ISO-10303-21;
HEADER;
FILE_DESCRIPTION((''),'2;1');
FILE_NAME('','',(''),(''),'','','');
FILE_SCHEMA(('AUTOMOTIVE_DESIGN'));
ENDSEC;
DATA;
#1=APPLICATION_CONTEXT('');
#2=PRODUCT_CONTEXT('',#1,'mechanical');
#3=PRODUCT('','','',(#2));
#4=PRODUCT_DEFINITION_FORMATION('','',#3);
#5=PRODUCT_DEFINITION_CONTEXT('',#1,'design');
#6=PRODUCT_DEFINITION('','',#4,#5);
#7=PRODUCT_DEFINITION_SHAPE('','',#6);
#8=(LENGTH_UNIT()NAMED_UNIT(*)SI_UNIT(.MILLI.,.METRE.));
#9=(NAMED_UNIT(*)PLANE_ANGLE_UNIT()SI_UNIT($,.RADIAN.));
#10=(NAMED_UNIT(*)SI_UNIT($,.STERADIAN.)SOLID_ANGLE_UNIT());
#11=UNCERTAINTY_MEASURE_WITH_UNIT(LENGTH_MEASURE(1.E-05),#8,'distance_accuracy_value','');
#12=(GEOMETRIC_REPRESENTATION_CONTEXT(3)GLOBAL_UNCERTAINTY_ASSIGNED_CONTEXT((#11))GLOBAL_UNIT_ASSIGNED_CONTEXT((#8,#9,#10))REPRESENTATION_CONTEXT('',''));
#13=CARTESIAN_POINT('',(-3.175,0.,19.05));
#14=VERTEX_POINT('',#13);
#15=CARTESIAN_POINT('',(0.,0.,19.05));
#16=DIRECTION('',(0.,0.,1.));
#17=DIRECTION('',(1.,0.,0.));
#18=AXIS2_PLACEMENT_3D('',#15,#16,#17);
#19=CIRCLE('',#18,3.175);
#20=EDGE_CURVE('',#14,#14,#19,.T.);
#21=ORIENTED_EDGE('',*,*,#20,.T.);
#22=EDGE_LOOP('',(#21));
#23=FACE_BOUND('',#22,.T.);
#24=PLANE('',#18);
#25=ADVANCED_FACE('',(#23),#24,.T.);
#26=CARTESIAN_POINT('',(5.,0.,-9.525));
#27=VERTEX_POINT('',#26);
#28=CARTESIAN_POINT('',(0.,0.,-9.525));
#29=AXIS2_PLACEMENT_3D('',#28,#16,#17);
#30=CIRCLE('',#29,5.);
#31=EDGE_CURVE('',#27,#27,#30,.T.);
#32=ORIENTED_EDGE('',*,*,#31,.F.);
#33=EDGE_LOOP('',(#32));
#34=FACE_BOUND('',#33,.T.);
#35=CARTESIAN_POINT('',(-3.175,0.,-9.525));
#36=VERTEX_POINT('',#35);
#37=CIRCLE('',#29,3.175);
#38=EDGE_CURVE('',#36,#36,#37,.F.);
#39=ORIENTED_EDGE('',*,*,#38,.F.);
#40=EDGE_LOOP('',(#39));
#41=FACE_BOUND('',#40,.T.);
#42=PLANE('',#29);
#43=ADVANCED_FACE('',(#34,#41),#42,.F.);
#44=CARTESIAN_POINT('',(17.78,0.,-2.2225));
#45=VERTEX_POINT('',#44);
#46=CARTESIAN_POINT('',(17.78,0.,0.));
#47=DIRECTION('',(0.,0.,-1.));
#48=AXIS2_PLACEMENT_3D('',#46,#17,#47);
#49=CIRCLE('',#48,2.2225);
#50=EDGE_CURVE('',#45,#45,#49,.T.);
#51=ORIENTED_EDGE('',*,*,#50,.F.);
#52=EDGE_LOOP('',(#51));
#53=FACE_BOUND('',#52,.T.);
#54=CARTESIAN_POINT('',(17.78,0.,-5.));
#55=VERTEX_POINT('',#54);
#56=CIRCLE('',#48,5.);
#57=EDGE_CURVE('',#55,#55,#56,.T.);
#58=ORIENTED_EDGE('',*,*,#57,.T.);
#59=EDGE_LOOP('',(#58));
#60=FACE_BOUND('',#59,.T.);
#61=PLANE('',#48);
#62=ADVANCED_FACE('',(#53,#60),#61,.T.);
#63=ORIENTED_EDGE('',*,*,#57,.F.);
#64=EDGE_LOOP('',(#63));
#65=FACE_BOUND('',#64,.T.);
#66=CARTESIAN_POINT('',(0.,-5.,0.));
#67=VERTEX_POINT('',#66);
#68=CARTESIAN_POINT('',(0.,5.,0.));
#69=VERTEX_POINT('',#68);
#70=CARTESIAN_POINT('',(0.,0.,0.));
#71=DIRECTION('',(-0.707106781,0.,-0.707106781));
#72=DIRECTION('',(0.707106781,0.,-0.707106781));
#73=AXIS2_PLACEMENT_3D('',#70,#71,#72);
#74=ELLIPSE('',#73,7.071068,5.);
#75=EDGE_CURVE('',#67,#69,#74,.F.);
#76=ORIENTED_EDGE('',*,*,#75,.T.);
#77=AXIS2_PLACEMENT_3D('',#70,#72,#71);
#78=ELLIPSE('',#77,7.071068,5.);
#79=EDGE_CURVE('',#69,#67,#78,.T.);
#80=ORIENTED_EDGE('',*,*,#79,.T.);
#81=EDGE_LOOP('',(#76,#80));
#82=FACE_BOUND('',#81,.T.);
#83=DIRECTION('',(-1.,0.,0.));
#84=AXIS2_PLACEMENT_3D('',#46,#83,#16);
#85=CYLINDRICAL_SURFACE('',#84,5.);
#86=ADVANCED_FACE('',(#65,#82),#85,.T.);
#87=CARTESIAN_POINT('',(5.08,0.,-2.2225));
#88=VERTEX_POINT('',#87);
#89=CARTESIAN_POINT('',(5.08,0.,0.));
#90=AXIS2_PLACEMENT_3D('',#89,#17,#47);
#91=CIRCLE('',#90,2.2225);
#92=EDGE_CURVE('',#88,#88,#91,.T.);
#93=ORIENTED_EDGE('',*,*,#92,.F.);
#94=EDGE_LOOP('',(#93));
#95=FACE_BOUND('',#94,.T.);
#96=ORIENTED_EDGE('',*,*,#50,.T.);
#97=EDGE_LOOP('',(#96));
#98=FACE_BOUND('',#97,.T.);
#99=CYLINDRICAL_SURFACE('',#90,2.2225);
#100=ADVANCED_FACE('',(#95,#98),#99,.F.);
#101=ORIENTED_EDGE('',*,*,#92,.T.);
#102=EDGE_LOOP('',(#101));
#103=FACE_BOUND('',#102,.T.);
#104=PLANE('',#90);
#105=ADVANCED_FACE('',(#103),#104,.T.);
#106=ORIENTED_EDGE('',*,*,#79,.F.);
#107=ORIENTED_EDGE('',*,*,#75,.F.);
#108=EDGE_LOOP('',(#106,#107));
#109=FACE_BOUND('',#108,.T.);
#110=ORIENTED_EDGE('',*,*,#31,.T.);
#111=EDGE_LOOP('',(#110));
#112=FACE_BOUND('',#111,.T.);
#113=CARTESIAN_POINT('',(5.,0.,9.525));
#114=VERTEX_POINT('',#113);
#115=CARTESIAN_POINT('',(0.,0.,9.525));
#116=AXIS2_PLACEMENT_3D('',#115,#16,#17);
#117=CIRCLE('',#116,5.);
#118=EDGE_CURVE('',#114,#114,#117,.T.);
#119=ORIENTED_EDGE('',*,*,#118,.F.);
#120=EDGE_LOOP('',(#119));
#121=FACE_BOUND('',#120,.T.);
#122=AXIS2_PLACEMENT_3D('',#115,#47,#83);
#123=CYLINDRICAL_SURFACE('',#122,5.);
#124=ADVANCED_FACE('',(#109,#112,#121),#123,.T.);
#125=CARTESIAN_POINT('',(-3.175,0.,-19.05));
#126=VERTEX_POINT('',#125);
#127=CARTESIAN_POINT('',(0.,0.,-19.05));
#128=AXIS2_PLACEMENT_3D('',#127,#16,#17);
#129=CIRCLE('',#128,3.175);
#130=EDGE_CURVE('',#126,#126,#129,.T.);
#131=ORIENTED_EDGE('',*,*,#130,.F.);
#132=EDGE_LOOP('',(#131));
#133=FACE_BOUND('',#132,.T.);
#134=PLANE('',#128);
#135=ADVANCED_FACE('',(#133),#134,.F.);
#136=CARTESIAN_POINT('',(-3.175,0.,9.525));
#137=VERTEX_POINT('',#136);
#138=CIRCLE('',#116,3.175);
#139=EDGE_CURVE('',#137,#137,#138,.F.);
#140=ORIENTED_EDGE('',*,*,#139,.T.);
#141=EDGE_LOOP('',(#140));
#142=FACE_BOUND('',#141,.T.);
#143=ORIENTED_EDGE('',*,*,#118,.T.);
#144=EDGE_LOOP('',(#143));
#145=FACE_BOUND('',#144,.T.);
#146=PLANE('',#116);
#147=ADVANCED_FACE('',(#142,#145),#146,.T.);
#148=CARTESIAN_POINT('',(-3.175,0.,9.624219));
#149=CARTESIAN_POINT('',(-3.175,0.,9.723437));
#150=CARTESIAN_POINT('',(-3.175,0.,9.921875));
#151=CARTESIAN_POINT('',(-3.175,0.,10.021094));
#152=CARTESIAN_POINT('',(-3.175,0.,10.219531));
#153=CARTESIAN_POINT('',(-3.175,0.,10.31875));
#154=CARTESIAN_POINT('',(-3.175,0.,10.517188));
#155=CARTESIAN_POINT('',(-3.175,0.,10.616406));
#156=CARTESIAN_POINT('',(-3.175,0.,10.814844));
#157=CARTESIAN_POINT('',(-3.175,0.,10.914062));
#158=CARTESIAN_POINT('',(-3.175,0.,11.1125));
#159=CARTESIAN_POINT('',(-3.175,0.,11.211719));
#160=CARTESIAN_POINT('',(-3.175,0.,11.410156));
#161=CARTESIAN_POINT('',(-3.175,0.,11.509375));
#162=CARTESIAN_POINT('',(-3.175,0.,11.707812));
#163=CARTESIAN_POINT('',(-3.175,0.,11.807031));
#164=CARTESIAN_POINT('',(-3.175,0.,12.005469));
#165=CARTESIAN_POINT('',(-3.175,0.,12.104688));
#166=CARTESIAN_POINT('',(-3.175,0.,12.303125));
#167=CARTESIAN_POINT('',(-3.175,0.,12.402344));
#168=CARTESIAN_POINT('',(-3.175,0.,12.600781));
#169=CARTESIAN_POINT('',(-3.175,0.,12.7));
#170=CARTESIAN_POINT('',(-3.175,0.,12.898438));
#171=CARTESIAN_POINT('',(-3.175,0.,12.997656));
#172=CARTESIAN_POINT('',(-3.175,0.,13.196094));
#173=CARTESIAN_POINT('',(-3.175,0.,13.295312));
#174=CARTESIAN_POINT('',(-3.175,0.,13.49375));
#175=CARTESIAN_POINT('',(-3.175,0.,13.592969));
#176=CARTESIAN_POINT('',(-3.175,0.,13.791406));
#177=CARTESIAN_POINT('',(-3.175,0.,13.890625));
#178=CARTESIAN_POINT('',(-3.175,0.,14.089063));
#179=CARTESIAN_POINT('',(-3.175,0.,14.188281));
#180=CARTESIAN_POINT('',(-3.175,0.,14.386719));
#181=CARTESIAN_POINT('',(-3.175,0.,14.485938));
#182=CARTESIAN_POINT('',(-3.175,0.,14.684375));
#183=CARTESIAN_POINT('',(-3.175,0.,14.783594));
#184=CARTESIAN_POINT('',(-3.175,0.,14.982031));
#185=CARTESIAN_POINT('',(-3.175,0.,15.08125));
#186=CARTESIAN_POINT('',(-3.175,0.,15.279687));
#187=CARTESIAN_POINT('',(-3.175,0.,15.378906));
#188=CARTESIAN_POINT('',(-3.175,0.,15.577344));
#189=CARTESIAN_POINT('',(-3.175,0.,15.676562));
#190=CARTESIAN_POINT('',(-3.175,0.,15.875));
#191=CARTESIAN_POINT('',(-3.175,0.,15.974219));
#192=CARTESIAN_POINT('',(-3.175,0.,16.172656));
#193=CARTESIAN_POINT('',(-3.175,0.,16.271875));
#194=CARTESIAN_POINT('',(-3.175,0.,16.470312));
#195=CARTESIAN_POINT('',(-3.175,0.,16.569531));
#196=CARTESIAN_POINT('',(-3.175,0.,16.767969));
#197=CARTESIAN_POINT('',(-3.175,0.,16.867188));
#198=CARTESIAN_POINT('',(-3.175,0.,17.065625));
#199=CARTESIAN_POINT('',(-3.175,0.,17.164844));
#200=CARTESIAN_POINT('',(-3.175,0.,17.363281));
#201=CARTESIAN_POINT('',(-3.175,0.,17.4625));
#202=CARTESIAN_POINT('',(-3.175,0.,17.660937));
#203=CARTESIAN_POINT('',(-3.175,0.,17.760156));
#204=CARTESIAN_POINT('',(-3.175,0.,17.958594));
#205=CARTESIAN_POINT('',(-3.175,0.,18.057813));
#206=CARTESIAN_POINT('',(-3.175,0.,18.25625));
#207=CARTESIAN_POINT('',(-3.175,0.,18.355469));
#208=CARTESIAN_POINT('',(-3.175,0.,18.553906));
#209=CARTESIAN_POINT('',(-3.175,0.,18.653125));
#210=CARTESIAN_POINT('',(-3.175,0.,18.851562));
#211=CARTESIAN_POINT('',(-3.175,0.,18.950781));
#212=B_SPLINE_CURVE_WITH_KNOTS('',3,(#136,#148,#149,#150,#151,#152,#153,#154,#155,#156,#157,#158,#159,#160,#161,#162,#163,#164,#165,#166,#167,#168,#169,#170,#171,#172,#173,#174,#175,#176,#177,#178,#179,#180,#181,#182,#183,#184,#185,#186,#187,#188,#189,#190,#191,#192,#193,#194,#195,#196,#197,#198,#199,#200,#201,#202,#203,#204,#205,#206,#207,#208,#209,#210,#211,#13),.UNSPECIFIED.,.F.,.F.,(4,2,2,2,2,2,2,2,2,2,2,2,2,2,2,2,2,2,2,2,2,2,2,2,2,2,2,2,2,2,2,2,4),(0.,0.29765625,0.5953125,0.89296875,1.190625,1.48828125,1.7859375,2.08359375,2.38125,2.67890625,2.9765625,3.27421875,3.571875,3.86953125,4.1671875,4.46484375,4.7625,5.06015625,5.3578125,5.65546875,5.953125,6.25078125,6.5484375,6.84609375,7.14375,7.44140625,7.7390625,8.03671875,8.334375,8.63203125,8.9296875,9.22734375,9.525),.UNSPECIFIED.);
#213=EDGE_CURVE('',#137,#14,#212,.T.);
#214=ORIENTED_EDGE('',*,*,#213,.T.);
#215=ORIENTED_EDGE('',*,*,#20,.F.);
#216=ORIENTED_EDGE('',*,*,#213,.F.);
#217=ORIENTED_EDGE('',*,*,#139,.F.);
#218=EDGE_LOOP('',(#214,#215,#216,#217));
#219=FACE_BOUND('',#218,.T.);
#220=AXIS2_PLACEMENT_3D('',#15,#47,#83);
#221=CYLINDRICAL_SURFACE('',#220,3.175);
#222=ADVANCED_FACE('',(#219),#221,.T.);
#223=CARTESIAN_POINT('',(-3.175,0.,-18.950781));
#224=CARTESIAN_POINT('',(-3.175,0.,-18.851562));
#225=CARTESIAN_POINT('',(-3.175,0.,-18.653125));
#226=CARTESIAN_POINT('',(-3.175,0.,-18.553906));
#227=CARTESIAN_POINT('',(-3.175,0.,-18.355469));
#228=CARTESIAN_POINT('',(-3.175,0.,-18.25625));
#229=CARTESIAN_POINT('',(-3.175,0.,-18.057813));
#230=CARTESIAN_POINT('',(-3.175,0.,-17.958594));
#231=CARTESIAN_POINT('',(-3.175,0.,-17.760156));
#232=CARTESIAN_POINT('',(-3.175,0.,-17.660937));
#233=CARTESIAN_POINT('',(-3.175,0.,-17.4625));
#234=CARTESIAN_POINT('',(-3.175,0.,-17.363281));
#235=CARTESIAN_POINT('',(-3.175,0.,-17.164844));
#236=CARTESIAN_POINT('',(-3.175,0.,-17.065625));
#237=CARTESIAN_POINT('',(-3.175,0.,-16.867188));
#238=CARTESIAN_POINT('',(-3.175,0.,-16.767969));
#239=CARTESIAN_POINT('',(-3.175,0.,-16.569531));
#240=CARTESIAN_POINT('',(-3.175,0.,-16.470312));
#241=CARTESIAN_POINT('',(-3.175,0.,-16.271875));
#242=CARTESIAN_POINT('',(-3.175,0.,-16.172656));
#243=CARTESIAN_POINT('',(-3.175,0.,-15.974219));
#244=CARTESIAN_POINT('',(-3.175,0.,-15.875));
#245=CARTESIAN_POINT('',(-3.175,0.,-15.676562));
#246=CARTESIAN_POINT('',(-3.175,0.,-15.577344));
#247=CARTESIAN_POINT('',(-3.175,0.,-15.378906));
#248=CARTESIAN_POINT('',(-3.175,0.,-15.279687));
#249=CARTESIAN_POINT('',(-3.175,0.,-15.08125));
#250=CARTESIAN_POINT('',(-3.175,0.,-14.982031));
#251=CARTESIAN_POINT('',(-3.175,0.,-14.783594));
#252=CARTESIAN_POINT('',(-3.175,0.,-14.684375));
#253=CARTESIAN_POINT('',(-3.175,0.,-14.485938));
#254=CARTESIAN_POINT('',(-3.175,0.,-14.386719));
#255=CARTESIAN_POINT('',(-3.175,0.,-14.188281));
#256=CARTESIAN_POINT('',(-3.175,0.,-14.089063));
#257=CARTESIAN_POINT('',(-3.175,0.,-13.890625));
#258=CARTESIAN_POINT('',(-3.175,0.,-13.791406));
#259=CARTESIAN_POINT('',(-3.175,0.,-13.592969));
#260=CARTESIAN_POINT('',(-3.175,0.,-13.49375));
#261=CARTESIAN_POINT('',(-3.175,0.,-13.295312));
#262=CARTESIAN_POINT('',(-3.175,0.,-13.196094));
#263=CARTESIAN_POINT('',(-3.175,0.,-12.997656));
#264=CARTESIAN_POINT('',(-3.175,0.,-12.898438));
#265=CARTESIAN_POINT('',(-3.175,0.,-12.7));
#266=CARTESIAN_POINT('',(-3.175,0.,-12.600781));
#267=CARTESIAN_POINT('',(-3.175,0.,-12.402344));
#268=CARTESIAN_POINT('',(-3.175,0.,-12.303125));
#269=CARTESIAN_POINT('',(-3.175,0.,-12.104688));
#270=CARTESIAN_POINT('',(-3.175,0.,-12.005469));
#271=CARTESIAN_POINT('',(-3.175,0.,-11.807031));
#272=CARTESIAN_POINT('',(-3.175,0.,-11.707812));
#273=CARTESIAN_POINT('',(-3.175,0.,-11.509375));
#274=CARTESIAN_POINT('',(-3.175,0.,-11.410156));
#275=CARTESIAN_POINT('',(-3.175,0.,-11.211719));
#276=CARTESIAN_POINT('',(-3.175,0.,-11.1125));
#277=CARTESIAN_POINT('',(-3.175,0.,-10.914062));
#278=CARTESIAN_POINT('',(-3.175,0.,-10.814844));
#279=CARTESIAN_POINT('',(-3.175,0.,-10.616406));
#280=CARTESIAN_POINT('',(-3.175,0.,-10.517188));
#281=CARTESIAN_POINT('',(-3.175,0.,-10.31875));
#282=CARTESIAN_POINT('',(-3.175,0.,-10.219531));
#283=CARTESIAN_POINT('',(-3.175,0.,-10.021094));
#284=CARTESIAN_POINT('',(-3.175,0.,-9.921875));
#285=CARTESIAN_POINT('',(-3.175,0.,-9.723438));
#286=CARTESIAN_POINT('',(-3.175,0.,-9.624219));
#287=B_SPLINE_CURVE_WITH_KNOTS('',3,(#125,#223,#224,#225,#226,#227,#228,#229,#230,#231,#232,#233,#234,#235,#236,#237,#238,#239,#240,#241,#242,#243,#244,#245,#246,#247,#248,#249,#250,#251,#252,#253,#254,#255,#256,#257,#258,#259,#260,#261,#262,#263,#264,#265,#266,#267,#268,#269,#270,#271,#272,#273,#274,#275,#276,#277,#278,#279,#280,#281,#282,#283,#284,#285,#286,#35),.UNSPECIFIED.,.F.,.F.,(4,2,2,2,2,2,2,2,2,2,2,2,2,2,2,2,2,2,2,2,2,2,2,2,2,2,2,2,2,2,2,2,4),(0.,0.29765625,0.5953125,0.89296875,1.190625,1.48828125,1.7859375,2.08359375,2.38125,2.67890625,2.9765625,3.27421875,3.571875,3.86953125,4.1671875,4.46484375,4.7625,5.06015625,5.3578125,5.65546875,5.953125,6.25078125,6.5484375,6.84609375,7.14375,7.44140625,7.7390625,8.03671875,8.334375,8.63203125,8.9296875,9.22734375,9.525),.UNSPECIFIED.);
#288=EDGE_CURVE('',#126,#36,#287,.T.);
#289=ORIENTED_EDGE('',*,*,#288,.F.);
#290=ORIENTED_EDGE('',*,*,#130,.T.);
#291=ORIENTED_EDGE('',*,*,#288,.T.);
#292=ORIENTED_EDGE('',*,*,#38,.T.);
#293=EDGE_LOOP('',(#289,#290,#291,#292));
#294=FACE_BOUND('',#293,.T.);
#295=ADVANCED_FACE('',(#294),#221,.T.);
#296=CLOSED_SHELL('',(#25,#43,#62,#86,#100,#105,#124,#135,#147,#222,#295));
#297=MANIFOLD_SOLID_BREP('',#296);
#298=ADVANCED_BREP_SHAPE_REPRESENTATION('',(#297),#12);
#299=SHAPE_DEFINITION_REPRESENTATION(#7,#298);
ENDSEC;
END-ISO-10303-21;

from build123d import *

# Parameters (mm, degrees)
SKETCH1_R           = 5
BOSS_EXTRUDE1_DEPTH = 9.525
SKETCH5_R           = 3.175
BOSS_EXTRUDE4_DEPTH = 19.05
SKETCH6_R           = 5
BOSS_EXTRUDE5_DEPTH = 17.78
SKETCH7_R           = 2.2225
CUT_EXTRUDE1_DEPTH  = 12.7


with BuildPart() as part:
    # Sketch1 → Boss-Extrude1 (new, symmetric)
    with BuildSketch(Plane.XY):
        with Locations(Location((0, 0, 0), (0, 0, 180))):
            Circle(SKETCH1_R)
    extrude(amount=BOSS_EXTRUDE1_DEPTH, both=True)

    # Sketch5 → Boss-Extrude4 (add, symmetric)
    with BuildSketch(Plane.XY):
        with Locations(Location((0, 0, 0), (0, 0, 180))):
            Circle(SKETCH5_R)
    extrude(amount=BOSS_EXTRUDE4_DEPTH, both=True)

    # Sketch6 → Boss-Extrude5 (add)
    with BuildSketch(Plane(origin=(0, 0, 0), x_dir=(0, 0, -1), z_dir=(1, 0, 0))):
        Circle(SKETCH6_R)
    extrude(amount=BOSS_EXTRUDE5_DEPTH)

    # Sketch7 → Cut-Extrude1 (cut)
    with BuildSketch(Plane(origin=(17.78, 0, 0), x_dir=(0, 0, -1), z_dir=(1, 0, 0))):
        Circle(SKETCH7_R)
    extrude(amount=-CUT_EXTRUDE1_DEPTH, mode=Mode.SUBTRACT)


solid = part.part
